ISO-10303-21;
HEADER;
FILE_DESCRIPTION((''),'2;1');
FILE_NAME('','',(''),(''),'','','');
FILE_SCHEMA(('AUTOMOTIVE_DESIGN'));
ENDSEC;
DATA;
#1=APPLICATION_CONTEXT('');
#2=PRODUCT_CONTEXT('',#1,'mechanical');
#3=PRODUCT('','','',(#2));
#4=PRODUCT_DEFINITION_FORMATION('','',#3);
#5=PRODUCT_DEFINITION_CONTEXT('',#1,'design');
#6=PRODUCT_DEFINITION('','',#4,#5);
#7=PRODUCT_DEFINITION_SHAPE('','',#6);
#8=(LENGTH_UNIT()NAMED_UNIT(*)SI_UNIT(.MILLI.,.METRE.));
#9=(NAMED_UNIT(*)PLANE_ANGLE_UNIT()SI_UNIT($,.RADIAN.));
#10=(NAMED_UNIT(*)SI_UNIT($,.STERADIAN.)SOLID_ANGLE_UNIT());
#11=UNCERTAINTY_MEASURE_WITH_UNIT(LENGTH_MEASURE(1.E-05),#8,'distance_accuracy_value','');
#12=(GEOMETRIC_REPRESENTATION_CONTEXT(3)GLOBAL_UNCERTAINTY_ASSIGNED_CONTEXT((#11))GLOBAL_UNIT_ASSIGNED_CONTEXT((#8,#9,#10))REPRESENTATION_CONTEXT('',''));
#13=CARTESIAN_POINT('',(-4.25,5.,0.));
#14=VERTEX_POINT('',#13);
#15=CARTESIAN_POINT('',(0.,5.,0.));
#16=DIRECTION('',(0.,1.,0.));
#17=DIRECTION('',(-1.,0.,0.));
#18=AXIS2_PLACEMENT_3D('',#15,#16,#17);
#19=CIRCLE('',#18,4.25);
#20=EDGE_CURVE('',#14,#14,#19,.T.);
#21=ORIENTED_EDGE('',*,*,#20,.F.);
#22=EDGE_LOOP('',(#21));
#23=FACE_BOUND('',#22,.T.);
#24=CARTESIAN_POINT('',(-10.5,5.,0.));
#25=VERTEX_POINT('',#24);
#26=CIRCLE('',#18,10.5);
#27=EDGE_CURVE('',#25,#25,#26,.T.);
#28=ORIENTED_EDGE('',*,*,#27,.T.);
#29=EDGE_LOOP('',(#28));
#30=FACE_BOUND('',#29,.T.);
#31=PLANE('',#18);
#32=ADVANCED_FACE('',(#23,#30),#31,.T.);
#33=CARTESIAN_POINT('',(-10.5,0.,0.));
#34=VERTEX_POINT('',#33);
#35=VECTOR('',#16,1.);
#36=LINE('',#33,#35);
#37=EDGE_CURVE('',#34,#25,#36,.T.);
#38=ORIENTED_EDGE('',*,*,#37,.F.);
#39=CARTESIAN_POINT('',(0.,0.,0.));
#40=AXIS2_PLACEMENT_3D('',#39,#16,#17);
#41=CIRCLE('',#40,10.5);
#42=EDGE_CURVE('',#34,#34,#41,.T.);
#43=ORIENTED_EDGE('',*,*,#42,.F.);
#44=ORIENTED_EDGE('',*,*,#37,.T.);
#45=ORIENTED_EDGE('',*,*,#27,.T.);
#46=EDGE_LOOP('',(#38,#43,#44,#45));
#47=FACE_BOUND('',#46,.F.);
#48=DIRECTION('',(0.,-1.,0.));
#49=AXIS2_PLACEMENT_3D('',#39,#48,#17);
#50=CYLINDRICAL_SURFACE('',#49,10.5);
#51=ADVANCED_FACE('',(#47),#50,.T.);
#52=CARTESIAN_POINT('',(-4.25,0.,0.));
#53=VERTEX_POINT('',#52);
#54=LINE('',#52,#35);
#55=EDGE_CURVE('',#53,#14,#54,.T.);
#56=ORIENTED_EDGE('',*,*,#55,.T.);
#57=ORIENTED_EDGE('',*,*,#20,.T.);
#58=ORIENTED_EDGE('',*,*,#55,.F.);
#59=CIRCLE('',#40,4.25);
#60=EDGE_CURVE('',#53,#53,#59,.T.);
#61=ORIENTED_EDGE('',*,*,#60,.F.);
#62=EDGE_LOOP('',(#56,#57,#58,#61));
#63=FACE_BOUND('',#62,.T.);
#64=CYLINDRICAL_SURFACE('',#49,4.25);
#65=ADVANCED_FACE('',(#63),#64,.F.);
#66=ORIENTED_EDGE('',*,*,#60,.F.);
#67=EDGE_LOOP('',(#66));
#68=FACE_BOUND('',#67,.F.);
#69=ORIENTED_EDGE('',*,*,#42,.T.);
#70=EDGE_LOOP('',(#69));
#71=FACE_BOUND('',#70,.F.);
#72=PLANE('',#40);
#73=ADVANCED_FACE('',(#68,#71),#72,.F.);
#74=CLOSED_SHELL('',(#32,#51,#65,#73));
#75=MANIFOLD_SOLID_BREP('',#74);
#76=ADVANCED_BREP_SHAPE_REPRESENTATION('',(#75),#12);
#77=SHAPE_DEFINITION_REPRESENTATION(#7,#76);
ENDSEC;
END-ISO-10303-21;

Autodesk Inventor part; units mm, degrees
ref_plane "YZ Plane" through (0, 0, 0) normal (1, 0, 0) x (0, 1, 0)
ref_plane "XZ Plane" through (0, 0, 0) normal (0, 1, 0) x (-1, 0, 0)
ref_plane "XY Plane" through (0, 0, 0) normal (0, 0, 1) x (1, 0, 0)
sketch "スケッチ1" plane through (0, 0, 0) normal (0, 1, 0) x (-1, 0, 0)
  circle A0 centre (0, 0) radius 4.25
  circle A1 centre (0, 0) radius 10.5
  dimension "d0" = 8.5
  dimension "d1" = 21
extrude "押し出し1" add sketch "スケッチ1" along normal blind 5
properties part number "shoulder1_upper_enocder_spacer"
